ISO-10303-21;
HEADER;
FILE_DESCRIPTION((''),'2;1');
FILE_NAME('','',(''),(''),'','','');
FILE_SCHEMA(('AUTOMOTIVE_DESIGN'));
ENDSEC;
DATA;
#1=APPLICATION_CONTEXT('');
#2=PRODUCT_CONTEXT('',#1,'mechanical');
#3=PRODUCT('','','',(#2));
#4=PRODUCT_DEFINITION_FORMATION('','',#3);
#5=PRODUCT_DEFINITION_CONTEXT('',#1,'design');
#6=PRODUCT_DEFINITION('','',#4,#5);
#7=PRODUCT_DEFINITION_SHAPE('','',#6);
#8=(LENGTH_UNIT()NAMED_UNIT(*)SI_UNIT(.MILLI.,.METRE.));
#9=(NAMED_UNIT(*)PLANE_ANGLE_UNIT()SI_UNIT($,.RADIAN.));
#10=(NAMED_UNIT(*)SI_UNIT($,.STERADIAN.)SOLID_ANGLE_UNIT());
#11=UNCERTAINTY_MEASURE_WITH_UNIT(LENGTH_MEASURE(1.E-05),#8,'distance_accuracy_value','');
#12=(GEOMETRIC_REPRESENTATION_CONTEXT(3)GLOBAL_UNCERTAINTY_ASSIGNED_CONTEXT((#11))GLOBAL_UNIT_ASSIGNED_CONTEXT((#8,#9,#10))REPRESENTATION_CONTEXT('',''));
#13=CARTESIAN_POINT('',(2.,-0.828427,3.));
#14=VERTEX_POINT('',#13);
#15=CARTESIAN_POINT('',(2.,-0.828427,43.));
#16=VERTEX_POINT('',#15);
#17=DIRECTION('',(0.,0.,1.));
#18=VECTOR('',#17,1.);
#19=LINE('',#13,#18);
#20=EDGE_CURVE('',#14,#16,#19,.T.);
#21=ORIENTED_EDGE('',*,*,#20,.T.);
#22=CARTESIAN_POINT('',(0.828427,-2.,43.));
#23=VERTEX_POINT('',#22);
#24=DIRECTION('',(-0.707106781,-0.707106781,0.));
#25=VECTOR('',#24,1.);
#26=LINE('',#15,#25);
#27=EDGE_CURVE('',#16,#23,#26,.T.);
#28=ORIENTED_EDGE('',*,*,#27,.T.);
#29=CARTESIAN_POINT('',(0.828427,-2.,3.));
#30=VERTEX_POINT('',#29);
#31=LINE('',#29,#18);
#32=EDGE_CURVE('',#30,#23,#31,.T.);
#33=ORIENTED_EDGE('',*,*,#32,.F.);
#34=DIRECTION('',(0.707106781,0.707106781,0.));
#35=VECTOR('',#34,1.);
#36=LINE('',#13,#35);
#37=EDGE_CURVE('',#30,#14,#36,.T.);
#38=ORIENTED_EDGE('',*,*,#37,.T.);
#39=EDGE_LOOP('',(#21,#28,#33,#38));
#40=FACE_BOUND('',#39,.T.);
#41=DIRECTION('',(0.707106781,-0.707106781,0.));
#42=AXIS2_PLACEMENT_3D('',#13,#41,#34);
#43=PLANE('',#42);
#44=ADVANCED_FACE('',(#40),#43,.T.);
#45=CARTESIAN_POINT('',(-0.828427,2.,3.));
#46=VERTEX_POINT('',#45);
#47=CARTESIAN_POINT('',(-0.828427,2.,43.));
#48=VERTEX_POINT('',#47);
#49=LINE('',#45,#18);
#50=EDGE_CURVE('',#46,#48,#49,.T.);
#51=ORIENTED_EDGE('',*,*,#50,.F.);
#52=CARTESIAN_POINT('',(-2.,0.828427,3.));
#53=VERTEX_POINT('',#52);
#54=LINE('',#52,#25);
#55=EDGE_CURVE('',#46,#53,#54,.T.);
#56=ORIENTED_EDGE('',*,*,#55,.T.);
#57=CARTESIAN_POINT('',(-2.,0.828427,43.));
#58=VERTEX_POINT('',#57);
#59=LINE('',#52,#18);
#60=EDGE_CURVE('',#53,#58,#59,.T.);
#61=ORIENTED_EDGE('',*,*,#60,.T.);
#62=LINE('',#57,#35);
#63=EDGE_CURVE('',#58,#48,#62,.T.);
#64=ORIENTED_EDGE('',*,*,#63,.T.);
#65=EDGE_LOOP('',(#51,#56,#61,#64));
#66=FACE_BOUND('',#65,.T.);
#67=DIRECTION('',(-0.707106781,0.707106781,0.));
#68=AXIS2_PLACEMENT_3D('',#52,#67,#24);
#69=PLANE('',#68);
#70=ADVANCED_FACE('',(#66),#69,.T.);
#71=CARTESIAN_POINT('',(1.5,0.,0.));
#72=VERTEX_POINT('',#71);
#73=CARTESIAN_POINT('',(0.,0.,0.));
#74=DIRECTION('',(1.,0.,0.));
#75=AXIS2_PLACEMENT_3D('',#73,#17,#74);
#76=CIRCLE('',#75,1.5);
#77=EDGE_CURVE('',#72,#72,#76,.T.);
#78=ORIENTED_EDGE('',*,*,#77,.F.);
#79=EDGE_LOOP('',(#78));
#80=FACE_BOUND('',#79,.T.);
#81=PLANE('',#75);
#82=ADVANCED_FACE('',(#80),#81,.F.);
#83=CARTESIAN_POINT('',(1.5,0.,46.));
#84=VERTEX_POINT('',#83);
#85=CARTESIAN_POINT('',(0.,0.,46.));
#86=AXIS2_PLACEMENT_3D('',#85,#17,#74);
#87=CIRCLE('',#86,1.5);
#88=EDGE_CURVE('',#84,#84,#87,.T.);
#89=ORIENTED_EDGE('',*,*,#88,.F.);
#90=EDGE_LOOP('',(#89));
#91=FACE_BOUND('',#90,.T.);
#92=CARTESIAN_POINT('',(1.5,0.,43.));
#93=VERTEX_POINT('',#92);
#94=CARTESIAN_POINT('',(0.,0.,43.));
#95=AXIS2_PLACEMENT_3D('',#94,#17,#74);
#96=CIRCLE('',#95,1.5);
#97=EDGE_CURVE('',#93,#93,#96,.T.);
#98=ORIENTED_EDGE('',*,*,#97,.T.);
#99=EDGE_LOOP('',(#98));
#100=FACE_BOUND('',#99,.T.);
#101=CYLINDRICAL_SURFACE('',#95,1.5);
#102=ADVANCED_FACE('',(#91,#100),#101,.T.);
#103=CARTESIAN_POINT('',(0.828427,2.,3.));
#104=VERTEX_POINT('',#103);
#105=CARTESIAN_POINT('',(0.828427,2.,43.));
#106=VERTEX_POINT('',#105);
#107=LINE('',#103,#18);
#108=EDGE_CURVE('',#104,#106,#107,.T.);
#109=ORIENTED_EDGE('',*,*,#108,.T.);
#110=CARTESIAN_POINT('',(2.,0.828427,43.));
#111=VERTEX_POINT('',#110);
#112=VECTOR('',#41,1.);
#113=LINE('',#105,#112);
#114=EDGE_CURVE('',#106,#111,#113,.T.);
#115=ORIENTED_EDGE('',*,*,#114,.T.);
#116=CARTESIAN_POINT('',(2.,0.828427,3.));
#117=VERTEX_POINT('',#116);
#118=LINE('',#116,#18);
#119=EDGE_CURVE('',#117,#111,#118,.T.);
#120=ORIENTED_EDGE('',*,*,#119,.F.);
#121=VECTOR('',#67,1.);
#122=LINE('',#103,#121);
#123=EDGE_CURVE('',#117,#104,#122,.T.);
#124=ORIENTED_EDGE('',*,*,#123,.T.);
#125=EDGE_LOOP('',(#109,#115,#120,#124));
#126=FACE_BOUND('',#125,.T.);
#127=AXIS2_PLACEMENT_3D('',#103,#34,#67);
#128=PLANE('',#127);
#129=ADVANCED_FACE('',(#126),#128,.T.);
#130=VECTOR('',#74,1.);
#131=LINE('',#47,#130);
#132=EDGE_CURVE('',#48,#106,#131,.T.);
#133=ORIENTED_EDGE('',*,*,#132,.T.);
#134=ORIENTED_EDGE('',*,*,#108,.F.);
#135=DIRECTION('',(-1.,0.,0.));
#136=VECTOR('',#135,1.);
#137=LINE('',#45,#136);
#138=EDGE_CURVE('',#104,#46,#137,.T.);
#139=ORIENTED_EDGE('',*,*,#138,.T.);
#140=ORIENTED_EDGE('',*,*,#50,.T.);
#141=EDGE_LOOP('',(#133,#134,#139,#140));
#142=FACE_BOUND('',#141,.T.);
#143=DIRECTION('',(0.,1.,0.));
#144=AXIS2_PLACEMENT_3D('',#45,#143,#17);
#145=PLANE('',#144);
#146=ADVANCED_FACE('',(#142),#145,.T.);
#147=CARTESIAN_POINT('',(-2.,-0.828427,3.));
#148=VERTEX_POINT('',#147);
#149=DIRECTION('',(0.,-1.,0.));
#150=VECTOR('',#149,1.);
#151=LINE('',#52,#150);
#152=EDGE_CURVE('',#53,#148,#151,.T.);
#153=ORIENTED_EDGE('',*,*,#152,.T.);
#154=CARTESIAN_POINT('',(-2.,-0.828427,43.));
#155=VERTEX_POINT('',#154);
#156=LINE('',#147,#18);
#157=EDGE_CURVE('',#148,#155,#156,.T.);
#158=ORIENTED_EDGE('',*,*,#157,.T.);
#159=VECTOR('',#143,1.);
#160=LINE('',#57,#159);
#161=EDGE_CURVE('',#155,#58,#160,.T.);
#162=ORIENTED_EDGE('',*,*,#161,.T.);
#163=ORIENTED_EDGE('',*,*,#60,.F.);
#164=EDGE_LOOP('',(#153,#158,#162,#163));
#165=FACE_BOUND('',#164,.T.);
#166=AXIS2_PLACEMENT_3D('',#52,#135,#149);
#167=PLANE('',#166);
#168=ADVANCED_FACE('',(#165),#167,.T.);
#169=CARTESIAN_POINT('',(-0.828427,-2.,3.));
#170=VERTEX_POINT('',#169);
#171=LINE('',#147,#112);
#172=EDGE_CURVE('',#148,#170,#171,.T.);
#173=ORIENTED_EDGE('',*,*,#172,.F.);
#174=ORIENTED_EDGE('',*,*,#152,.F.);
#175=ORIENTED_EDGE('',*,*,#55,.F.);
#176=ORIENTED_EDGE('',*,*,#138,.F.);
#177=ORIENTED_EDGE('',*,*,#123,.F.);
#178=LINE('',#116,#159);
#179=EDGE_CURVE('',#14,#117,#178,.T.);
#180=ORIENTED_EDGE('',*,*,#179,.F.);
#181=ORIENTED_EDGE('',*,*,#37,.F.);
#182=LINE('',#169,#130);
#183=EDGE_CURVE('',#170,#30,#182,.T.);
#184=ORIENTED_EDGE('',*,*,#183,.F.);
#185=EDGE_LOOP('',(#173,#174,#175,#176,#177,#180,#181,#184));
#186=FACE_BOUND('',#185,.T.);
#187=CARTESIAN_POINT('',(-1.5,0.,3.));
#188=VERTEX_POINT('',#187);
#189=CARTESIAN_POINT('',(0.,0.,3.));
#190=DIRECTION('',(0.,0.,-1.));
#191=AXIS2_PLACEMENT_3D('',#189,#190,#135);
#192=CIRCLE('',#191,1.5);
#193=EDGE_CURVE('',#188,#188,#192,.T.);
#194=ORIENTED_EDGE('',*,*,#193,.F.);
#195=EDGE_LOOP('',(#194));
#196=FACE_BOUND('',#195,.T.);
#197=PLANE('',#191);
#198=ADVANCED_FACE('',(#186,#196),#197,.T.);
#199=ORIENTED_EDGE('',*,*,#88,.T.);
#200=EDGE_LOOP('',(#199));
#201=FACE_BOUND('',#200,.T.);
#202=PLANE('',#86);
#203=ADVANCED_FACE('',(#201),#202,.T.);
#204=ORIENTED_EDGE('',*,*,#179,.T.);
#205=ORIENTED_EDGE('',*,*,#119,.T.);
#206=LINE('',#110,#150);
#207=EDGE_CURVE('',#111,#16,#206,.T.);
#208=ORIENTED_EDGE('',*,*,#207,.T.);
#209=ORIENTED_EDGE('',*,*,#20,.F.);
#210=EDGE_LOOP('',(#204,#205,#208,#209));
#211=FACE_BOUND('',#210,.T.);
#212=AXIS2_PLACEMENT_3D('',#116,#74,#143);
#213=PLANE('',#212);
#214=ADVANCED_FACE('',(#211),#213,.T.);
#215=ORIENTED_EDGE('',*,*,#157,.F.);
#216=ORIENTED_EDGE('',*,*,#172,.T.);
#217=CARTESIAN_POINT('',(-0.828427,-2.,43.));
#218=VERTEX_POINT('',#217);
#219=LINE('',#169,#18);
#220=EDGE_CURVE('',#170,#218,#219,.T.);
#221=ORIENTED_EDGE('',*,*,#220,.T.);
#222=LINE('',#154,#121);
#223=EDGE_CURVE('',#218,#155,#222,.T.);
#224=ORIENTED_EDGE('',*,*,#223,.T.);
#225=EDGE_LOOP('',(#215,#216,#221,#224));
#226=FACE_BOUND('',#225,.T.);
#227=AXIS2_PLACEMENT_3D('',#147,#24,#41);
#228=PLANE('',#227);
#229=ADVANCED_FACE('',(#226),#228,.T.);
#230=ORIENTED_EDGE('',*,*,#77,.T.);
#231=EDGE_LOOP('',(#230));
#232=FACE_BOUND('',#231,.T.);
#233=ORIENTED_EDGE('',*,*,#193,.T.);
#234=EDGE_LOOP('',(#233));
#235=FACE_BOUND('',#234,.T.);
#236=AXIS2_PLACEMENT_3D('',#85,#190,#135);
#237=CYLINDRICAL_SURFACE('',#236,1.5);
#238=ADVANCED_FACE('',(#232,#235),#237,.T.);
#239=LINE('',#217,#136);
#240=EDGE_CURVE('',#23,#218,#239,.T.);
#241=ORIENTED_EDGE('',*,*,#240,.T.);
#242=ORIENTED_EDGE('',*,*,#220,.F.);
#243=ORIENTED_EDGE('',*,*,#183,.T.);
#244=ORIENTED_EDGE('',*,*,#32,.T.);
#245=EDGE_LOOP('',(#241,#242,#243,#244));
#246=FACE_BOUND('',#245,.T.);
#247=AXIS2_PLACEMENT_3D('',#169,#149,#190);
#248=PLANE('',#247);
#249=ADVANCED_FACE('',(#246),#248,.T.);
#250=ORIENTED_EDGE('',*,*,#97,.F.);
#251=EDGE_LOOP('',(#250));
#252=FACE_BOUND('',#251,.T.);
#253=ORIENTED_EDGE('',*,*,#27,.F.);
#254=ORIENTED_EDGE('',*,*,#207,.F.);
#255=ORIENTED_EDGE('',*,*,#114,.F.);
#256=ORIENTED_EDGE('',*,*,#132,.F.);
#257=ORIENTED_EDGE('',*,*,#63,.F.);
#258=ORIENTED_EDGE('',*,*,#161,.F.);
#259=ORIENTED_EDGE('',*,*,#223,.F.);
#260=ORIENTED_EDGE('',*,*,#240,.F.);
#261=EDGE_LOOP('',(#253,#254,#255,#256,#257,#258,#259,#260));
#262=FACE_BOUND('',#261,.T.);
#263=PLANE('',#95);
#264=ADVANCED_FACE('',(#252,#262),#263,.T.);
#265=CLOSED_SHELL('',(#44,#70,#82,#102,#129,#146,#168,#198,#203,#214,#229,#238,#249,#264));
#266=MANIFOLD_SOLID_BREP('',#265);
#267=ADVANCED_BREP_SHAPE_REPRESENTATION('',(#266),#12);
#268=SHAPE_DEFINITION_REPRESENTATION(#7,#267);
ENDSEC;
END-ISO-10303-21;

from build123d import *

# Parameters (mm, degrees)
CROQUIS1_R              = 1.5
SALIENTE_EXTRUIR1_DEPTH = 46
SALIENTE_EXTRUIR2_DEPTH = 43
CORTAR_EXTRUIR1_START   = -3
CROQUIS3_R              = 3.153795035
CROQUIS3_R_2            = 1.5
CORTAR_EXTRUIR1_DEPTH   = 3


with BuildPart() as part:
    # Croquis1 → Saliente-Extruir1 (new body)
    with BuildSketch(Plane.XY):
        Circle(CROQUIS1_R)
    extrude(amount=SALIENTE_EXTRUIR1_DEPTH)

    # Croquis2 → Saliente-Extruir2 (add)
    with BuildSketch(Plane.XY.offset(46)):
        Polygon((-0.828427125, -2), (0.828427125, -2), (2, -0.828427125), (2, 0.828427125), (0.828427125, 2), (-0.828427125, 2), (-2, 0.828427125), (-2, -0.828427125), align=None)
    extrude(amount=-SALIENTE_EXTRUIR2_DEPTH)

    # Croquis3 → Cortar-Extruir1 (cut)
    with BuildSketch(Plane.XY.offset(46).offset(CORTAR_EXTRUIR1_START)):
        Circle(CROQUIS3_R)
        with Locations(Location((0, 0, 0), (0, 0, 180))):
            Circle(CROQUIS3_R_2, mode=Mode.SUBTRACT)
    extrude(amount=CORTAR_EXTRUIR1_DEPTH, mode=Mode.SUBTRACT)


solid = part.part
